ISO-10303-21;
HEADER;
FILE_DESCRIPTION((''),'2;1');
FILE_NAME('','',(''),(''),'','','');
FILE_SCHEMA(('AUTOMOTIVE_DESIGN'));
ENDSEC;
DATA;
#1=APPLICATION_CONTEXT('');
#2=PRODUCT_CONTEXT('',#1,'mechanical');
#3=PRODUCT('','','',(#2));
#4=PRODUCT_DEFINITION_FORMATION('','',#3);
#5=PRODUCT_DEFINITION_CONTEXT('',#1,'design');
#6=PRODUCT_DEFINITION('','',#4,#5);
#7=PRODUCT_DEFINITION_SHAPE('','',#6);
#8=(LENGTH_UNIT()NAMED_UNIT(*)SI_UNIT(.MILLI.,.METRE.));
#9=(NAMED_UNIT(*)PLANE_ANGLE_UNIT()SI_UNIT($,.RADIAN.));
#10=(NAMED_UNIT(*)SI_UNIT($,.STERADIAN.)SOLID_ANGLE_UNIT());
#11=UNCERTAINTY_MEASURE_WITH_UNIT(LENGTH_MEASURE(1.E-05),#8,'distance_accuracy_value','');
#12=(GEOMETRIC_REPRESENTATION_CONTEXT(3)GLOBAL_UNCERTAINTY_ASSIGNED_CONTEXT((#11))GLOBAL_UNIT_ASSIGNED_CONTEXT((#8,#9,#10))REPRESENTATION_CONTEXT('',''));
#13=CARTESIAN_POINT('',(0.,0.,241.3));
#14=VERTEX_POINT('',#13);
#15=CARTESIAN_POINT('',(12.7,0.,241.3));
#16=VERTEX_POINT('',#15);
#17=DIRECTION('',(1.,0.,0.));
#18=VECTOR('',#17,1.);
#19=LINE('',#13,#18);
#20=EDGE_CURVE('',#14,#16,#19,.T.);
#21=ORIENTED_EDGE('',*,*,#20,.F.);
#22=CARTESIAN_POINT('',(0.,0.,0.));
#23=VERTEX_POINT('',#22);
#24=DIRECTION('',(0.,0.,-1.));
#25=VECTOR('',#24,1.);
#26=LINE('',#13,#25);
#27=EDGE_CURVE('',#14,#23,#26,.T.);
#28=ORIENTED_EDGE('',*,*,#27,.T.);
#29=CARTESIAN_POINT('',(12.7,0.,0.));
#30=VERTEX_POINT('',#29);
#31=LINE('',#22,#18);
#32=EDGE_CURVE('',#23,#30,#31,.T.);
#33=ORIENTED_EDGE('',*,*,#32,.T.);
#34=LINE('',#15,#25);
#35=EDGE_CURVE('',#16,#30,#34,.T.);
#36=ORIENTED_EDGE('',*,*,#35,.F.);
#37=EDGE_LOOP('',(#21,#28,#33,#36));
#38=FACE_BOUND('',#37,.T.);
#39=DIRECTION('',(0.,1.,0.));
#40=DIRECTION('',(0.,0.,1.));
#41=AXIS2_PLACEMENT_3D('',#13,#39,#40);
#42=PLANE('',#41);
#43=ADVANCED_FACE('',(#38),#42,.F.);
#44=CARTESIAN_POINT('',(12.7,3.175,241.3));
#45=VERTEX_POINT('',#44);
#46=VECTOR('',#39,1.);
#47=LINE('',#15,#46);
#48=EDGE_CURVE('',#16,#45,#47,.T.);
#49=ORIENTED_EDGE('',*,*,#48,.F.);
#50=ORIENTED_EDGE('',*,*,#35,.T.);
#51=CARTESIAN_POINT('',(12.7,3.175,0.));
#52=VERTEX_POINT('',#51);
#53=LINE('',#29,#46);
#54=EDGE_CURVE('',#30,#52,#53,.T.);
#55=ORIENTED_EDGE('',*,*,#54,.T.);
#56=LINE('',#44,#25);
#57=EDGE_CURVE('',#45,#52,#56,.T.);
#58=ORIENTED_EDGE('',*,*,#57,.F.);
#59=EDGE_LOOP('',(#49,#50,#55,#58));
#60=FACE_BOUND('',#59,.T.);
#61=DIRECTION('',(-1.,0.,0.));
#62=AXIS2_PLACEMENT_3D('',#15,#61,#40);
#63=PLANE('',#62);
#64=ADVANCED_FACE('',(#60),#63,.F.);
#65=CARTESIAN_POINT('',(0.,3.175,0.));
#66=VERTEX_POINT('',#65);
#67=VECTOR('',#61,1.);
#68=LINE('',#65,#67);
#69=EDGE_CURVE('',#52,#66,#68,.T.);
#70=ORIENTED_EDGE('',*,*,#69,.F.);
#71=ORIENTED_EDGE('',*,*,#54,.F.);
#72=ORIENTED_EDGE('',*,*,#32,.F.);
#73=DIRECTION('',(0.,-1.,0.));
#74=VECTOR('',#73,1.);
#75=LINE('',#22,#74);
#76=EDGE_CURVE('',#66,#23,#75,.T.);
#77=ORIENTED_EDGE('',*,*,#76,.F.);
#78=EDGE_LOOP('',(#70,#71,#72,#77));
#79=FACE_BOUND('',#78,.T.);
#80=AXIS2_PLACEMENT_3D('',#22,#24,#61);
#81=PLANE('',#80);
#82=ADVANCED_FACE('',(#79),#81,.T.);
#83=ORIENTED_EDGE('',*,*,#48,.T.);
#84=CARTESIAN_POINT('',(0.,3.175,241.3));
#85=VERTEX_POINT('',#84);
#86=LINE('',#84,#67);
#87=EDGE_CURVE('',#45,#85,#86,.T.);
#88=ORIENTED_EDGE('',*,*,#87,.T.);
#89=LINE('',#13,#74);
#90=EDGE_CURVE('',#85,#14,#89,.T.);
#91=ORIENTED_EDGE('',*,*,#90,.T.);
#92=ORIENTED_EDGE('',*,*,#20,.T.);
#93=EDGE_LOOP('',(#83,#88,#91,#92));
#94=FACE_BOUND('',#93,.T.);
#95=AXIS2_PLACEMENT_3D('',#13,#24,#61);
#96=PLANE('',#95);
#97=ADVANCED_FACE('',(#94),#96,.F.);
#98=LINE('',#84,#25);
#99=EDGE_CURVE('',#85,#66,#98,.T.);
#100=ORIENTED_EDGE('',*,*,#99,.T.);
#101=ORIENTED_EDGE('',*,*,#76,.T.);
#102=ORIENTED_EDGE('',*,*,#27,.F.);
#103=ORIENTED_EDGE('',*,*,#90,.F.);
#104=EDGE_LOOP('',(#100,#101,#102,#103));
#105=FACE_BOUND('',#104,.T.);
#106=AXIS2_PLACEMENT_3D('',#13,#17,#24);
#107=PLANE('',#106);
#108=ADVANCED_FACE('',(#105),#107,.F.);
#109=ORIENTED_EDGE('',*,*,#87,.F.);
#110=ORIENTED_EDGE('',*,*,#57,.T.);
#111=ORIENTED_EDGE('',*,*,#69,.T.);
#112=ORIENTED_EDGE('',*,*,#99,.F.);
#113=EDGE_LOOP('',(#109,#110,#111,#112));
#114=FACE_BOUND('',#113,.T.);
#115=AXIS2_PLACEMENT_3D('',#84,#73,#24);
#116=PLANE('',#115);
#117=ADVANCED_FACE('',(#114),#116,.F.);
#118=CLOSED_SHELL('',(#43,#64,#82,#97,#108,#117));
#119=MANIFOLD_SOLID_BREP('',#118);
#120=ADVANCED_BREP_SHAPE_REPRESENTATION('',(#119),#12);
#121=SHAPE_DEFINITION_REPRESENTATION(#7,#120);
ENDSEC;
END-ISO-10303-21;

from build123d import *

# Parameters (mm, degrees)
SKETCH1_W           = 12.7
SKETCH1_H           = 3.175
BOSS_EXTRUDE1_DEPTH = 241.3


with BuildPart() as part:
    # Sketch1 → Boss-Extrude1 (new body)
    with BuildSketch(Plane.XY):
        with Locations((6.35, 1.5875)):
            Rectangle(SKETCH1_W, SKETCH1_H)
    extrude(amount=BOSS_EXTRUDE1_DEPTH)


solid = part.part
